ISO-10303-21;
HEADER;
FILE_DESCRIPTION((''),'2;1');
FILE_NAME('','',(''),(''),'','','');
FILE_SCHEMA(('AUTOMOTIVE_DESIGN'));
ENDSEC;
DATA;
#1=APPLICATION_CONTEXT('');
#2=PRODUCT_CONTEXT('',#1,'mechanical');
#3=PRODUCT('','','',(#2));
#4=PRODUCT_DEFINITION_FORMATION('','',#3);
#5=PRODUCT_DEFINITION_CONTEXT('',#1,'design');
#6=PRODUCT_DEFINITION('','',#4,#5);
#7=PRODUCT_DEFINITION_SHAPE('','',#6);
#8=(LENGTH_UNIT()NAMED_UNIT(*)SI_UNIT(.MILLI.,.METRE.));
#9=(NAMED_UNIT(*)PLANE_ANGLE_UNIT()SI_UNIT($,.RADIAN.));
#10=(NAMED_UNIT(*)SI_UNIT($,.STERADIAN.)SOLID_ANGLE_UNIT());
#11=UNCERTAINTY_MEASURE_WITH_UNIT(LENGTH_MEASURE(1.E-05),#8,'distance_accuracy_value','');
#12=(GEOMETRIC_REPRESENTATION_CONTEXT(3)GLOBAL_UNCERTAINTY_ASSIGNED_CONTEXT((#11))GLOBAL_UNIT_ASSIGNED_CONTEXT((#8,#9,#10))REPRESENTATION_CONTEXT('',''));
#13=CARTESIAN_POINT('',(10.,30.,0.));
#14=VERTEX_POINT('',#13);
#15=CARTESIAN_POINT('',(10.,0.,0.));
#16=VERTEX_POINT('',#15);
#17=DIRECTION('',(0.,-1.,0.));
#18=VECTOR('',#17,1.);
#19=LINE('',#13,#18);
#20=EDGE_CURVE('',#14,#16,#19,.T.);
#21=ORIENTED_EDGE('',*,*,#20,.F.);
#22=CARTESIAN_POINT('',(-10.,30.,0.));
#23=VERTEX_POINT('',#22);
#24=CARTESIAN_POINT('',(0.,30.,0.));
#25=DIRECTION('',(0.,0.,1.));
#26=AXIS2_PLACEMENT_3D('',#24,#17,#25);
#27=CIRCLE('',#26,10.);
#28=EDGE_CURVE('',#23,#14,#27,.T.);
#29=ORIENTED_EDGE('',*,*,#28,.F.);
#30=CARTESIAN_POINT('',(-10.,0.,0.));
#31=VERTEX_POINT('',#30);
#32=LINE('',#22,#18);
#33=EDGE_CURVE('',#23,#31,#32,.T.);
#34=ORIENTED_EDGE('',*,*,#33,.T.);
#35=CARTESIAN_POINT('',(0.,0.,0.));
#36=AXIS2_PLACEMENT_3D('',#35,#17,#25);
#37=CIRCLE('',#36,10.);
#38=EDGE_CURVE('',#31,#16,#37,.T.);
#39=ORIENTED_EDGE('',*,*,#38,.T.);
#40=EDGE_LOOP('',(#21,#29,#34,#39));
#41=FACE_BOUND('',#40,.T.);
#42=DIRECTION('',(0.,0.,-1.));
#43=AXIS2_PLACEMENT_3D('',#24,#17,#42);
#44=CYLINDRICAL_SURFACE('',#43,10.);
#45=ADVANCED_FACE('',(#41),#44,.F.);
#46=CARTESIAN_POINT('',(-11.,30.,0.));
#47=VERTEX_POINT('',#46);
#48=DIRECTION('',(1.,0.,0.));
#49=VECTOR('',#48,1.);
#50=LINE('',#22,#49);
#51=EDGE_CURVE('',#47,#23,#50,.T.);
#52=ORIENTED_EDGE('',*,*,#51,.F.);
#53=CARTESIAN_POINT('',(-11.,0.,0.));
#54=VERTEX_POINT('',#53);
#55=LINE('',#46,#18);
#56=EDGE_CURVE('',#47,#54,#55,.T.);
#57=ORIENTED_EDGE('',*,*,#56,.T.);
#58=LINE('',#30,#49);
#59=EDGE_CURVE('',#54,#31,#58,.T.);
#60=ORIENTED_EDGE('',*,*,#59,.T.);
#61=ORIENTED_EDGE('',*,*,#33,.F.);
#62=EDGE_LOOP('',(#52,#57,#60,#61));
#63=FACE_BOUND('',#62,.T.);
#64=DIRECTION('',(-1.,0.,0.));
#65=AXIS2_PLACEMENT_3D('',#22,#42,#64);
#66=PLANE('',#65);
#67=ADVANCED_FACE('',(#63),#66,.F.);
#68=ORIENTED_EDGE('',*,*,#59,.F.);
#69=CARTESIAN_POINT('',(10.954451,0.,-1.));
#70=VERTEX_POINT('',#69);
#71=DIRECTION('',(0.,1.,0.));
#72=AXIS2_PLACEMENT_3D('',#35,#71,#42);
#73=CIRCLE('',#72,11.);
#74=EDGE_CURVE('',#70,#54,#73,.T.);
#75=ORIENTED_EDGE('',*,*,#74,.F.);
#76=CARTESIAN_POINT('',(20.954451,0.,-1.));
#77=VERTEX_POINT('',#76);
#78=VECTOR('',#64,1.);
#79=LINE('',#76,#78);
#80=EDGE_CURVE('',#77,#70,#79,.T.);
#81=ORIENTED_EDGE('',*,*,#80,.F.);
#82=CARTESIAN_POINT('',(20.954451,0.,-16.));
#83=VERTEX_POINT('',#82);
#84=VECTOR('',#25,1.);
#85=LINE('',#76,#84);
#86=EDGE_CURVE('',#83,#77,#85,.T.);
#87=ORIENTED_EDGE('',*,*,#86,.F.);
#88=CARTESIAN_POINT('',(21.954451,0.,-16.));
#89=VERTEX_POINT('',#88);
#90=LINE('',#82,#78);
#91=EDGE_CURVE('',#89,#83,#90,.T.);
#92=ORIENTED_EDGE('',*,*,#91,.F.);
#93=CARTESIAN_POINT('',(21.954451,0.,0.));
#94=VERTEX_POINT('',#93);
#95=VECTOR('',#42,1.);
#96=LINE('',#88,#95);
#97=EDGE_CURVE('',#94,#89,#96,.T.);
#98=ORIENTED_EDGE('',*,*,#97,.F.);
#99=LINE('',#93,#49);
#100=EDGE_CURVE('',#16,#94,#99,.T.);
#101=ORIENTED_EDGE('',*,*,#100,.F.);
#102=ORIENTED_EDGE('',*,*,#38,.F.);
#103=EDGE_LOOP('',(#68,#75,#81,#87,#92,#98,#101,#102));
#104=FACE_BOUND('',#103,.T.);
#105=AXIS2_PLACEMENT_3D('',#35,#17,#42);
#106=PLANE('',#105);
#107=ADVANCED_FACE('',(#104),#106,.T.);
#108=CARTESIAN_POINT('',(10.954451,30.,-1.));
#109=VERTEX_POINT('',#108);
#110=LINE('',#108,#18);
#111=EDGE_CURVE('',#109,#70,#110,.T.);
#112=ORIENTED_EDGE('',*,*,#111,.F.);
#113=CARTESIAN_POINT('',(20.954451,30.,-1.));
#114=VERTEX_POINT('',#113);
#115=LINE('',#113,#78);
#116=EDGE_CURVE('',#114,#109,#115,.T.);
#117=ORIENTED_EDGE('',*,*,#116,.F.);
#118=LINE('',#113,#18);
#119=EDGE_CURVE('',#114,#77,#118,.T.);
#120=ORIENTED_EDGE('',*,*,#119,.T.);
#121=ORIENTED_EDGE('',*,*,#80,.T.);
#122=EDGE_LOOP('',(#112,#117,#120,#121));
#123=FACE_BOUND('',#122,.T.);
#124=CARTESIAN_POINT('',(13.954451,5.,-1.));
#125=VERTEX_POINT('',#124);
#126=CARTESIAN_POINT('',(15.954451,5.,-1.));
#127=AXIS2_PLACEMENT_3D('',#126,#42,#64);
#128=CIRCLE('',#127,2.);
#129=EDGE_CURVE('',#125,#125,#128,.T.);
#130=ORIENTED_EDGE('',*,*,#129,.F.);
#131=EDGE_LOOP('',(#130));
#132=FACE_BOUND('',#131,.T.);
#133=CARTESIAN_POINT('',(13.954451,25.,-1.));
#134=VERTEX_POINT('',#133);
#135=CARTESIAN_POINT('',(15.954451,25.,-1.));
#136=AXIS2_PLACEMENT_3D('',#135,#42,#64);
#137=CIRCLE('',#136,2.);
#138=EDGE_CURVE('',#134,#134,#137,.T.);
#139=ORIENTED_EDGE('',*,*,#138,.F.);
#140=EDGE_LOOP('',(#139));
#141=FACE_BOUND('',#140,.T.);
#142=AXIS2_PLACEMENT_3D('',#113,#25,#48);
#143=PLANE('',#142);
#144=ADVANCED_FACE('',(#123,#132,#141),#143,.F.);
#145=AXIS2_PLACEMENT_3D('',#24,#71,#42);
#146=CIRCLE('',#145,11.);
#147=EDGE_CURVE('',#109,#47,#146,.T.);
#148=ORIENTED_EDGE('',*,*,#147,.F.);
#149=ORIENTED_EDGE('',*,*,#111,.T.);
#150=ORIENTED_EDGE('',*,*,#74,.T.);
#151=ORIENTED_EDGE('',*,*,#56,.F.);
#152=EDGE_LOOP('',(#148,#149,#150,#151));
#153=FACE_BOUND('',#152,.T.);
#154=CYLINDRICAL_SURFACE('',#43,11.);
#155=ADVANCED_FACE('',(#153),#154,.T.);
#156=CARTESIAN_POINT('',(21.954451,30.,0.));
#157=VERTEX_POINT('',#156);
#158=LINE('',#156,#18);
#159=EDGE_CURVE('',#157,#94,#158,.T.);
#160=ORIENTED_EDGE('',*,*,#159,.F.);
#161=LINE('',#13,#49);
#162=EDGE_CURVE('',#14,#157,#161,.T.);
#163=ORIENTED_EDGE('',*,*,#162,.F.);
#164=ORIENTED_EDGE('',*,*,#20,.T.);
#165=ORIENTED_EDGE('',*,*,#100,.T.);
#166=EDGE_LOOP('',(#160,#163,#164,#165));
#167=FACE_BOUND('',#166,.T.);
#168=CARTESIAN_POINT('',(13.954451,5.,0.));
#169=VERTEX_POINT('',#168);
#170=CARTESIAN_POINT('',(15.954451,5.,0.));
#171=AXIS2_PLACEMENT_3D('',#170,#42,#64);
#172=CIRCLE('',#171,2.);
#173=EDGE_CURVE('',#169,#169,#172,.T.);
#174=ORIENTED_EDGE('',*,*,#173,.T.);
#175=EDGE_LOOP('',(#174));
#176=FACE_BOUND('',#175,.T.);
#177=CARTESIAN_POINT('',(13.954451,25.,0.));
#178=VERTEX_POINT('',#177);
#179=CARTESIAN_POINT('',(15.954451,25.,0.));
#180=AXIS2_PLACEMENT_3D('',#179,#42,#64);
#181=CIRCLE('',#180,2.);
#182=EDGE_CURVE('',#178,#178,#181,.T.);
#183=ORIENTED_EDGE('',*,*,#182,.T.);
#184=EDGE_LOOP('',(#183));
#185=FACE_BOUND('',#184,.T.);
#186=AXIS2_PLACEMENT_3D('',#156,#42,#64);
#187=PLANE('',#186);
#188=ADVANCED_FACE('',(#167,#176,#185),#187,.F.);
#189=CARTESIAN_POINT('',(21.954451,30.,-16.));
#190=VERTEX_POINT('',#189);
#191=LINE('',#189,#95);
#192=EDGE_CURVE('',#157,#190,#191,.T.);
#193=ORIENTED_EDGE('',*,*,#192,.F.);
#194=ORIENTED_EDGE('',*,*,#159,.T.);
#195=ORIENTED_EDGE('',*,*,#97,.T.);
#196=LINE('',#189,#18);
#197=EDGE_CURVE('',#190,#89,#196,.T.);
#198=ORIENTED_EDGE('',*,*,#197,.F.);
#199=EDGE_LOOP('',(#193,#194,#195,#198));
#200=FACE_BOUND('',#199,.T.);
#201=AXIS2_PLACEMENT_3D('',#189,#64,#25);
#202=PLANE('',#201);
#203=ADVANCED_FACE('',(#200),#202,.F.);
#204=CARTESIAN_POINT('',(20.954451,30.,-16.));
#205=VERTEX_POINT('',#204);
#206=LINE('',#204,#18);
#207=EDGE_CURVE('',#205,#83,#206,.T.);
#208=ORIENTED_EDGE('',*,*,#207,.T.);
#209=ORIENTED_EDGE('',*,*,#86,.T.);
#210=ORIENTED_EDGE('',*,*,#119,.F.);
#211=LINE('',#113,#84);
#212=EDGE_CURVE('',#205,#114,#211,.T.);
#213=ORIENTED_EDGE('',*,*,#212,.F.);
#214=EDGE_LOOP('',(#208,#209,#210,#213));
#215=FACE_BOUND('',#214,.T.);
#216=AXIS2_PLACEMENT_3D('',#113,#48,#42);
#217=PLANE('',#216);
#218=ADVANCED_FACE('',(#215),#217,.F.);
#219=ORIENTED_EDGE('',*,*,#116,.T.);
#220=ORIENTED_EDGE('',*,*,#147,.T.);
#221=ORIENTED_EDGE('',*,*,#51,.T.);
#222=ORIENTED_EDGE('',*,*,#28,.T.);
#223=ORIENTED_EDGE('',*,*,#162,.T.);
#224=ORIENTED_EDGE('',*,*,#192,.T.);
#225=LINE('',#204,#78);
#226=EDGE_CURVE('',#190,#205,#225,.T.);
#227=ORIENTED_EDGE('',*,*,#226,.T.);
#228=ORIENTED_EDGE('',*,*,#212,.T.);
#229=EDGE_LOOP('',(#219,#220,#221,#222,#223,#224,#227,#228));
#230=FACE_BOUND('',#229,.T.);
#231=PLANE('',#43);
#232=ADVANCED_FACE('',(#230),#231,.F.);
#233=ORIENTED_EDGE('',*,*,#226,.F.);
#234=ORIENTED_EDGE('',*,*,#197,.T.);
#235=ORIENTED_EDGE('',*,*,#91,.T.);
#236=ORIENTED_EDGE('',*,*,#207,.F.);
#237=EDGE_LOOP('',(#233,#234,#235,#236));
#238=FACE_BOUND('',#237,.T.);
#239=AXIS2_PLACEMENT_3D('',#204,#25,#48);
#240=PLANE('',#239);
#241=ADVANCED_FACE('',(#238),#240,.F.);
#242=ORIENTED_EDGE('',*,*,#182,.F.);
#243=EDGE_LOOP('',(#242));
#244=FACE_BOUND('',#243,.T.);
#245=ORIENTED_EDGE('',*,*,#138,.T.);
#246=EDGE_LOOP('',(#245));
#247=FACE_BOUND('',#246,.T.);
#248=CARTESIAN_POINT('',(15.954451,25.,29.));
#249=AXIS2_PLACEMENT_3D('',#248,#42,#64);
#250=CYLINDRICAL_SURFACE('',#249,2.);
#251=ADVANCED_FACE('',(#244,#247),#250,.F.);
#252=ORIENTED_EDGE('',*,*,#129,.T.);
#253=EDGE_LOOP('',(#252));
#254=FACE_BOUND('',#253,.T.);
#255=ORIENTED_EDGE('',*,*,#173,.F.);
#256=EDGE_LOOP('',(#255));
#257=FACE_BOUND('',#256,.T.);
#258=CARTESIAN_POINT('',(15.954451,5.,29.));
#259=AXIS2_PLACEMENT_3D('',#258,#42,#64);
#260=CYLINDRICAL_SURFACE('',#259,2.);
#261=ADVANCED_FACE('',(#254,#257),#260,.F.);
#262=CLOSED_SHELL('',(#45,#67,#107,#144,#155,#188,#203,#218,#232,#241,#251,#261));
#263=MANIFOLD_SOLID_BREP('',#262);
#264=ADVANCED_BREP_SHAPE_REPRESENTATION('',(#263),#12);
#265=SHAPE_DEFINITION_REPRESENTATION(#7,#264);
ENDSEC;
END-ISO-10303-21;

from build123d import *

# Parameters (mm, degrees)
BOSS_EXTRUDE1_DEPTH = 30
SKETCH2_R           = 2
CUT_EXTRUDE1_DEPTH  = 30


with BuildPart() as part:
    # Sketch1 → Boss-Extrude1 (new body)
    with BuildSketch(Plane(origin=(0, 0, 0), x_dir=(1, 0, 0), z_dir=(0, 1, 0))):
        with BuildLine():
            Line((10, 0), (20.95445115, 0))
            Line((20.95445115, 0), (21.95445115, 0))
            Line((21.95445115, 0), (21.95445115, 16))
            Line((21.95445115, 16), (20.95445115, 16))
            Line((20.95445115, 16), (20.95445115, 1))
            Line((20.95445115, 1), (10.95445115, 1))
            ThreePointArc((10.95445115, 1), (-0.500518406, 10.988606887), (-11, 0))
            Line((-11, 0), (-10, 0))
            ThreePointArc((-10, 0), (0, 10), (10, 0))
        make_face()
    extrude(amount=BOSS_EXTRUDE1_DEPTH)

    # Sketch2 → Cut-Extrude1 (cut)
    with BuildSketch(Plane(origin=(0, 0, -1), x_dir=(-1, 0, 0), z_dir=(0, 0, -1))):
        with Locations((-15.95445115, 25)):
            Circle(SKETCH2_R)
        with Locations((-15.95445115, 5)):
            Circle(SKETCH2_R)
    extrude(amount=-CUT_EXTRUDE1_DEPTH, mode=Mode.SUBTRACT)


solid = part.part
